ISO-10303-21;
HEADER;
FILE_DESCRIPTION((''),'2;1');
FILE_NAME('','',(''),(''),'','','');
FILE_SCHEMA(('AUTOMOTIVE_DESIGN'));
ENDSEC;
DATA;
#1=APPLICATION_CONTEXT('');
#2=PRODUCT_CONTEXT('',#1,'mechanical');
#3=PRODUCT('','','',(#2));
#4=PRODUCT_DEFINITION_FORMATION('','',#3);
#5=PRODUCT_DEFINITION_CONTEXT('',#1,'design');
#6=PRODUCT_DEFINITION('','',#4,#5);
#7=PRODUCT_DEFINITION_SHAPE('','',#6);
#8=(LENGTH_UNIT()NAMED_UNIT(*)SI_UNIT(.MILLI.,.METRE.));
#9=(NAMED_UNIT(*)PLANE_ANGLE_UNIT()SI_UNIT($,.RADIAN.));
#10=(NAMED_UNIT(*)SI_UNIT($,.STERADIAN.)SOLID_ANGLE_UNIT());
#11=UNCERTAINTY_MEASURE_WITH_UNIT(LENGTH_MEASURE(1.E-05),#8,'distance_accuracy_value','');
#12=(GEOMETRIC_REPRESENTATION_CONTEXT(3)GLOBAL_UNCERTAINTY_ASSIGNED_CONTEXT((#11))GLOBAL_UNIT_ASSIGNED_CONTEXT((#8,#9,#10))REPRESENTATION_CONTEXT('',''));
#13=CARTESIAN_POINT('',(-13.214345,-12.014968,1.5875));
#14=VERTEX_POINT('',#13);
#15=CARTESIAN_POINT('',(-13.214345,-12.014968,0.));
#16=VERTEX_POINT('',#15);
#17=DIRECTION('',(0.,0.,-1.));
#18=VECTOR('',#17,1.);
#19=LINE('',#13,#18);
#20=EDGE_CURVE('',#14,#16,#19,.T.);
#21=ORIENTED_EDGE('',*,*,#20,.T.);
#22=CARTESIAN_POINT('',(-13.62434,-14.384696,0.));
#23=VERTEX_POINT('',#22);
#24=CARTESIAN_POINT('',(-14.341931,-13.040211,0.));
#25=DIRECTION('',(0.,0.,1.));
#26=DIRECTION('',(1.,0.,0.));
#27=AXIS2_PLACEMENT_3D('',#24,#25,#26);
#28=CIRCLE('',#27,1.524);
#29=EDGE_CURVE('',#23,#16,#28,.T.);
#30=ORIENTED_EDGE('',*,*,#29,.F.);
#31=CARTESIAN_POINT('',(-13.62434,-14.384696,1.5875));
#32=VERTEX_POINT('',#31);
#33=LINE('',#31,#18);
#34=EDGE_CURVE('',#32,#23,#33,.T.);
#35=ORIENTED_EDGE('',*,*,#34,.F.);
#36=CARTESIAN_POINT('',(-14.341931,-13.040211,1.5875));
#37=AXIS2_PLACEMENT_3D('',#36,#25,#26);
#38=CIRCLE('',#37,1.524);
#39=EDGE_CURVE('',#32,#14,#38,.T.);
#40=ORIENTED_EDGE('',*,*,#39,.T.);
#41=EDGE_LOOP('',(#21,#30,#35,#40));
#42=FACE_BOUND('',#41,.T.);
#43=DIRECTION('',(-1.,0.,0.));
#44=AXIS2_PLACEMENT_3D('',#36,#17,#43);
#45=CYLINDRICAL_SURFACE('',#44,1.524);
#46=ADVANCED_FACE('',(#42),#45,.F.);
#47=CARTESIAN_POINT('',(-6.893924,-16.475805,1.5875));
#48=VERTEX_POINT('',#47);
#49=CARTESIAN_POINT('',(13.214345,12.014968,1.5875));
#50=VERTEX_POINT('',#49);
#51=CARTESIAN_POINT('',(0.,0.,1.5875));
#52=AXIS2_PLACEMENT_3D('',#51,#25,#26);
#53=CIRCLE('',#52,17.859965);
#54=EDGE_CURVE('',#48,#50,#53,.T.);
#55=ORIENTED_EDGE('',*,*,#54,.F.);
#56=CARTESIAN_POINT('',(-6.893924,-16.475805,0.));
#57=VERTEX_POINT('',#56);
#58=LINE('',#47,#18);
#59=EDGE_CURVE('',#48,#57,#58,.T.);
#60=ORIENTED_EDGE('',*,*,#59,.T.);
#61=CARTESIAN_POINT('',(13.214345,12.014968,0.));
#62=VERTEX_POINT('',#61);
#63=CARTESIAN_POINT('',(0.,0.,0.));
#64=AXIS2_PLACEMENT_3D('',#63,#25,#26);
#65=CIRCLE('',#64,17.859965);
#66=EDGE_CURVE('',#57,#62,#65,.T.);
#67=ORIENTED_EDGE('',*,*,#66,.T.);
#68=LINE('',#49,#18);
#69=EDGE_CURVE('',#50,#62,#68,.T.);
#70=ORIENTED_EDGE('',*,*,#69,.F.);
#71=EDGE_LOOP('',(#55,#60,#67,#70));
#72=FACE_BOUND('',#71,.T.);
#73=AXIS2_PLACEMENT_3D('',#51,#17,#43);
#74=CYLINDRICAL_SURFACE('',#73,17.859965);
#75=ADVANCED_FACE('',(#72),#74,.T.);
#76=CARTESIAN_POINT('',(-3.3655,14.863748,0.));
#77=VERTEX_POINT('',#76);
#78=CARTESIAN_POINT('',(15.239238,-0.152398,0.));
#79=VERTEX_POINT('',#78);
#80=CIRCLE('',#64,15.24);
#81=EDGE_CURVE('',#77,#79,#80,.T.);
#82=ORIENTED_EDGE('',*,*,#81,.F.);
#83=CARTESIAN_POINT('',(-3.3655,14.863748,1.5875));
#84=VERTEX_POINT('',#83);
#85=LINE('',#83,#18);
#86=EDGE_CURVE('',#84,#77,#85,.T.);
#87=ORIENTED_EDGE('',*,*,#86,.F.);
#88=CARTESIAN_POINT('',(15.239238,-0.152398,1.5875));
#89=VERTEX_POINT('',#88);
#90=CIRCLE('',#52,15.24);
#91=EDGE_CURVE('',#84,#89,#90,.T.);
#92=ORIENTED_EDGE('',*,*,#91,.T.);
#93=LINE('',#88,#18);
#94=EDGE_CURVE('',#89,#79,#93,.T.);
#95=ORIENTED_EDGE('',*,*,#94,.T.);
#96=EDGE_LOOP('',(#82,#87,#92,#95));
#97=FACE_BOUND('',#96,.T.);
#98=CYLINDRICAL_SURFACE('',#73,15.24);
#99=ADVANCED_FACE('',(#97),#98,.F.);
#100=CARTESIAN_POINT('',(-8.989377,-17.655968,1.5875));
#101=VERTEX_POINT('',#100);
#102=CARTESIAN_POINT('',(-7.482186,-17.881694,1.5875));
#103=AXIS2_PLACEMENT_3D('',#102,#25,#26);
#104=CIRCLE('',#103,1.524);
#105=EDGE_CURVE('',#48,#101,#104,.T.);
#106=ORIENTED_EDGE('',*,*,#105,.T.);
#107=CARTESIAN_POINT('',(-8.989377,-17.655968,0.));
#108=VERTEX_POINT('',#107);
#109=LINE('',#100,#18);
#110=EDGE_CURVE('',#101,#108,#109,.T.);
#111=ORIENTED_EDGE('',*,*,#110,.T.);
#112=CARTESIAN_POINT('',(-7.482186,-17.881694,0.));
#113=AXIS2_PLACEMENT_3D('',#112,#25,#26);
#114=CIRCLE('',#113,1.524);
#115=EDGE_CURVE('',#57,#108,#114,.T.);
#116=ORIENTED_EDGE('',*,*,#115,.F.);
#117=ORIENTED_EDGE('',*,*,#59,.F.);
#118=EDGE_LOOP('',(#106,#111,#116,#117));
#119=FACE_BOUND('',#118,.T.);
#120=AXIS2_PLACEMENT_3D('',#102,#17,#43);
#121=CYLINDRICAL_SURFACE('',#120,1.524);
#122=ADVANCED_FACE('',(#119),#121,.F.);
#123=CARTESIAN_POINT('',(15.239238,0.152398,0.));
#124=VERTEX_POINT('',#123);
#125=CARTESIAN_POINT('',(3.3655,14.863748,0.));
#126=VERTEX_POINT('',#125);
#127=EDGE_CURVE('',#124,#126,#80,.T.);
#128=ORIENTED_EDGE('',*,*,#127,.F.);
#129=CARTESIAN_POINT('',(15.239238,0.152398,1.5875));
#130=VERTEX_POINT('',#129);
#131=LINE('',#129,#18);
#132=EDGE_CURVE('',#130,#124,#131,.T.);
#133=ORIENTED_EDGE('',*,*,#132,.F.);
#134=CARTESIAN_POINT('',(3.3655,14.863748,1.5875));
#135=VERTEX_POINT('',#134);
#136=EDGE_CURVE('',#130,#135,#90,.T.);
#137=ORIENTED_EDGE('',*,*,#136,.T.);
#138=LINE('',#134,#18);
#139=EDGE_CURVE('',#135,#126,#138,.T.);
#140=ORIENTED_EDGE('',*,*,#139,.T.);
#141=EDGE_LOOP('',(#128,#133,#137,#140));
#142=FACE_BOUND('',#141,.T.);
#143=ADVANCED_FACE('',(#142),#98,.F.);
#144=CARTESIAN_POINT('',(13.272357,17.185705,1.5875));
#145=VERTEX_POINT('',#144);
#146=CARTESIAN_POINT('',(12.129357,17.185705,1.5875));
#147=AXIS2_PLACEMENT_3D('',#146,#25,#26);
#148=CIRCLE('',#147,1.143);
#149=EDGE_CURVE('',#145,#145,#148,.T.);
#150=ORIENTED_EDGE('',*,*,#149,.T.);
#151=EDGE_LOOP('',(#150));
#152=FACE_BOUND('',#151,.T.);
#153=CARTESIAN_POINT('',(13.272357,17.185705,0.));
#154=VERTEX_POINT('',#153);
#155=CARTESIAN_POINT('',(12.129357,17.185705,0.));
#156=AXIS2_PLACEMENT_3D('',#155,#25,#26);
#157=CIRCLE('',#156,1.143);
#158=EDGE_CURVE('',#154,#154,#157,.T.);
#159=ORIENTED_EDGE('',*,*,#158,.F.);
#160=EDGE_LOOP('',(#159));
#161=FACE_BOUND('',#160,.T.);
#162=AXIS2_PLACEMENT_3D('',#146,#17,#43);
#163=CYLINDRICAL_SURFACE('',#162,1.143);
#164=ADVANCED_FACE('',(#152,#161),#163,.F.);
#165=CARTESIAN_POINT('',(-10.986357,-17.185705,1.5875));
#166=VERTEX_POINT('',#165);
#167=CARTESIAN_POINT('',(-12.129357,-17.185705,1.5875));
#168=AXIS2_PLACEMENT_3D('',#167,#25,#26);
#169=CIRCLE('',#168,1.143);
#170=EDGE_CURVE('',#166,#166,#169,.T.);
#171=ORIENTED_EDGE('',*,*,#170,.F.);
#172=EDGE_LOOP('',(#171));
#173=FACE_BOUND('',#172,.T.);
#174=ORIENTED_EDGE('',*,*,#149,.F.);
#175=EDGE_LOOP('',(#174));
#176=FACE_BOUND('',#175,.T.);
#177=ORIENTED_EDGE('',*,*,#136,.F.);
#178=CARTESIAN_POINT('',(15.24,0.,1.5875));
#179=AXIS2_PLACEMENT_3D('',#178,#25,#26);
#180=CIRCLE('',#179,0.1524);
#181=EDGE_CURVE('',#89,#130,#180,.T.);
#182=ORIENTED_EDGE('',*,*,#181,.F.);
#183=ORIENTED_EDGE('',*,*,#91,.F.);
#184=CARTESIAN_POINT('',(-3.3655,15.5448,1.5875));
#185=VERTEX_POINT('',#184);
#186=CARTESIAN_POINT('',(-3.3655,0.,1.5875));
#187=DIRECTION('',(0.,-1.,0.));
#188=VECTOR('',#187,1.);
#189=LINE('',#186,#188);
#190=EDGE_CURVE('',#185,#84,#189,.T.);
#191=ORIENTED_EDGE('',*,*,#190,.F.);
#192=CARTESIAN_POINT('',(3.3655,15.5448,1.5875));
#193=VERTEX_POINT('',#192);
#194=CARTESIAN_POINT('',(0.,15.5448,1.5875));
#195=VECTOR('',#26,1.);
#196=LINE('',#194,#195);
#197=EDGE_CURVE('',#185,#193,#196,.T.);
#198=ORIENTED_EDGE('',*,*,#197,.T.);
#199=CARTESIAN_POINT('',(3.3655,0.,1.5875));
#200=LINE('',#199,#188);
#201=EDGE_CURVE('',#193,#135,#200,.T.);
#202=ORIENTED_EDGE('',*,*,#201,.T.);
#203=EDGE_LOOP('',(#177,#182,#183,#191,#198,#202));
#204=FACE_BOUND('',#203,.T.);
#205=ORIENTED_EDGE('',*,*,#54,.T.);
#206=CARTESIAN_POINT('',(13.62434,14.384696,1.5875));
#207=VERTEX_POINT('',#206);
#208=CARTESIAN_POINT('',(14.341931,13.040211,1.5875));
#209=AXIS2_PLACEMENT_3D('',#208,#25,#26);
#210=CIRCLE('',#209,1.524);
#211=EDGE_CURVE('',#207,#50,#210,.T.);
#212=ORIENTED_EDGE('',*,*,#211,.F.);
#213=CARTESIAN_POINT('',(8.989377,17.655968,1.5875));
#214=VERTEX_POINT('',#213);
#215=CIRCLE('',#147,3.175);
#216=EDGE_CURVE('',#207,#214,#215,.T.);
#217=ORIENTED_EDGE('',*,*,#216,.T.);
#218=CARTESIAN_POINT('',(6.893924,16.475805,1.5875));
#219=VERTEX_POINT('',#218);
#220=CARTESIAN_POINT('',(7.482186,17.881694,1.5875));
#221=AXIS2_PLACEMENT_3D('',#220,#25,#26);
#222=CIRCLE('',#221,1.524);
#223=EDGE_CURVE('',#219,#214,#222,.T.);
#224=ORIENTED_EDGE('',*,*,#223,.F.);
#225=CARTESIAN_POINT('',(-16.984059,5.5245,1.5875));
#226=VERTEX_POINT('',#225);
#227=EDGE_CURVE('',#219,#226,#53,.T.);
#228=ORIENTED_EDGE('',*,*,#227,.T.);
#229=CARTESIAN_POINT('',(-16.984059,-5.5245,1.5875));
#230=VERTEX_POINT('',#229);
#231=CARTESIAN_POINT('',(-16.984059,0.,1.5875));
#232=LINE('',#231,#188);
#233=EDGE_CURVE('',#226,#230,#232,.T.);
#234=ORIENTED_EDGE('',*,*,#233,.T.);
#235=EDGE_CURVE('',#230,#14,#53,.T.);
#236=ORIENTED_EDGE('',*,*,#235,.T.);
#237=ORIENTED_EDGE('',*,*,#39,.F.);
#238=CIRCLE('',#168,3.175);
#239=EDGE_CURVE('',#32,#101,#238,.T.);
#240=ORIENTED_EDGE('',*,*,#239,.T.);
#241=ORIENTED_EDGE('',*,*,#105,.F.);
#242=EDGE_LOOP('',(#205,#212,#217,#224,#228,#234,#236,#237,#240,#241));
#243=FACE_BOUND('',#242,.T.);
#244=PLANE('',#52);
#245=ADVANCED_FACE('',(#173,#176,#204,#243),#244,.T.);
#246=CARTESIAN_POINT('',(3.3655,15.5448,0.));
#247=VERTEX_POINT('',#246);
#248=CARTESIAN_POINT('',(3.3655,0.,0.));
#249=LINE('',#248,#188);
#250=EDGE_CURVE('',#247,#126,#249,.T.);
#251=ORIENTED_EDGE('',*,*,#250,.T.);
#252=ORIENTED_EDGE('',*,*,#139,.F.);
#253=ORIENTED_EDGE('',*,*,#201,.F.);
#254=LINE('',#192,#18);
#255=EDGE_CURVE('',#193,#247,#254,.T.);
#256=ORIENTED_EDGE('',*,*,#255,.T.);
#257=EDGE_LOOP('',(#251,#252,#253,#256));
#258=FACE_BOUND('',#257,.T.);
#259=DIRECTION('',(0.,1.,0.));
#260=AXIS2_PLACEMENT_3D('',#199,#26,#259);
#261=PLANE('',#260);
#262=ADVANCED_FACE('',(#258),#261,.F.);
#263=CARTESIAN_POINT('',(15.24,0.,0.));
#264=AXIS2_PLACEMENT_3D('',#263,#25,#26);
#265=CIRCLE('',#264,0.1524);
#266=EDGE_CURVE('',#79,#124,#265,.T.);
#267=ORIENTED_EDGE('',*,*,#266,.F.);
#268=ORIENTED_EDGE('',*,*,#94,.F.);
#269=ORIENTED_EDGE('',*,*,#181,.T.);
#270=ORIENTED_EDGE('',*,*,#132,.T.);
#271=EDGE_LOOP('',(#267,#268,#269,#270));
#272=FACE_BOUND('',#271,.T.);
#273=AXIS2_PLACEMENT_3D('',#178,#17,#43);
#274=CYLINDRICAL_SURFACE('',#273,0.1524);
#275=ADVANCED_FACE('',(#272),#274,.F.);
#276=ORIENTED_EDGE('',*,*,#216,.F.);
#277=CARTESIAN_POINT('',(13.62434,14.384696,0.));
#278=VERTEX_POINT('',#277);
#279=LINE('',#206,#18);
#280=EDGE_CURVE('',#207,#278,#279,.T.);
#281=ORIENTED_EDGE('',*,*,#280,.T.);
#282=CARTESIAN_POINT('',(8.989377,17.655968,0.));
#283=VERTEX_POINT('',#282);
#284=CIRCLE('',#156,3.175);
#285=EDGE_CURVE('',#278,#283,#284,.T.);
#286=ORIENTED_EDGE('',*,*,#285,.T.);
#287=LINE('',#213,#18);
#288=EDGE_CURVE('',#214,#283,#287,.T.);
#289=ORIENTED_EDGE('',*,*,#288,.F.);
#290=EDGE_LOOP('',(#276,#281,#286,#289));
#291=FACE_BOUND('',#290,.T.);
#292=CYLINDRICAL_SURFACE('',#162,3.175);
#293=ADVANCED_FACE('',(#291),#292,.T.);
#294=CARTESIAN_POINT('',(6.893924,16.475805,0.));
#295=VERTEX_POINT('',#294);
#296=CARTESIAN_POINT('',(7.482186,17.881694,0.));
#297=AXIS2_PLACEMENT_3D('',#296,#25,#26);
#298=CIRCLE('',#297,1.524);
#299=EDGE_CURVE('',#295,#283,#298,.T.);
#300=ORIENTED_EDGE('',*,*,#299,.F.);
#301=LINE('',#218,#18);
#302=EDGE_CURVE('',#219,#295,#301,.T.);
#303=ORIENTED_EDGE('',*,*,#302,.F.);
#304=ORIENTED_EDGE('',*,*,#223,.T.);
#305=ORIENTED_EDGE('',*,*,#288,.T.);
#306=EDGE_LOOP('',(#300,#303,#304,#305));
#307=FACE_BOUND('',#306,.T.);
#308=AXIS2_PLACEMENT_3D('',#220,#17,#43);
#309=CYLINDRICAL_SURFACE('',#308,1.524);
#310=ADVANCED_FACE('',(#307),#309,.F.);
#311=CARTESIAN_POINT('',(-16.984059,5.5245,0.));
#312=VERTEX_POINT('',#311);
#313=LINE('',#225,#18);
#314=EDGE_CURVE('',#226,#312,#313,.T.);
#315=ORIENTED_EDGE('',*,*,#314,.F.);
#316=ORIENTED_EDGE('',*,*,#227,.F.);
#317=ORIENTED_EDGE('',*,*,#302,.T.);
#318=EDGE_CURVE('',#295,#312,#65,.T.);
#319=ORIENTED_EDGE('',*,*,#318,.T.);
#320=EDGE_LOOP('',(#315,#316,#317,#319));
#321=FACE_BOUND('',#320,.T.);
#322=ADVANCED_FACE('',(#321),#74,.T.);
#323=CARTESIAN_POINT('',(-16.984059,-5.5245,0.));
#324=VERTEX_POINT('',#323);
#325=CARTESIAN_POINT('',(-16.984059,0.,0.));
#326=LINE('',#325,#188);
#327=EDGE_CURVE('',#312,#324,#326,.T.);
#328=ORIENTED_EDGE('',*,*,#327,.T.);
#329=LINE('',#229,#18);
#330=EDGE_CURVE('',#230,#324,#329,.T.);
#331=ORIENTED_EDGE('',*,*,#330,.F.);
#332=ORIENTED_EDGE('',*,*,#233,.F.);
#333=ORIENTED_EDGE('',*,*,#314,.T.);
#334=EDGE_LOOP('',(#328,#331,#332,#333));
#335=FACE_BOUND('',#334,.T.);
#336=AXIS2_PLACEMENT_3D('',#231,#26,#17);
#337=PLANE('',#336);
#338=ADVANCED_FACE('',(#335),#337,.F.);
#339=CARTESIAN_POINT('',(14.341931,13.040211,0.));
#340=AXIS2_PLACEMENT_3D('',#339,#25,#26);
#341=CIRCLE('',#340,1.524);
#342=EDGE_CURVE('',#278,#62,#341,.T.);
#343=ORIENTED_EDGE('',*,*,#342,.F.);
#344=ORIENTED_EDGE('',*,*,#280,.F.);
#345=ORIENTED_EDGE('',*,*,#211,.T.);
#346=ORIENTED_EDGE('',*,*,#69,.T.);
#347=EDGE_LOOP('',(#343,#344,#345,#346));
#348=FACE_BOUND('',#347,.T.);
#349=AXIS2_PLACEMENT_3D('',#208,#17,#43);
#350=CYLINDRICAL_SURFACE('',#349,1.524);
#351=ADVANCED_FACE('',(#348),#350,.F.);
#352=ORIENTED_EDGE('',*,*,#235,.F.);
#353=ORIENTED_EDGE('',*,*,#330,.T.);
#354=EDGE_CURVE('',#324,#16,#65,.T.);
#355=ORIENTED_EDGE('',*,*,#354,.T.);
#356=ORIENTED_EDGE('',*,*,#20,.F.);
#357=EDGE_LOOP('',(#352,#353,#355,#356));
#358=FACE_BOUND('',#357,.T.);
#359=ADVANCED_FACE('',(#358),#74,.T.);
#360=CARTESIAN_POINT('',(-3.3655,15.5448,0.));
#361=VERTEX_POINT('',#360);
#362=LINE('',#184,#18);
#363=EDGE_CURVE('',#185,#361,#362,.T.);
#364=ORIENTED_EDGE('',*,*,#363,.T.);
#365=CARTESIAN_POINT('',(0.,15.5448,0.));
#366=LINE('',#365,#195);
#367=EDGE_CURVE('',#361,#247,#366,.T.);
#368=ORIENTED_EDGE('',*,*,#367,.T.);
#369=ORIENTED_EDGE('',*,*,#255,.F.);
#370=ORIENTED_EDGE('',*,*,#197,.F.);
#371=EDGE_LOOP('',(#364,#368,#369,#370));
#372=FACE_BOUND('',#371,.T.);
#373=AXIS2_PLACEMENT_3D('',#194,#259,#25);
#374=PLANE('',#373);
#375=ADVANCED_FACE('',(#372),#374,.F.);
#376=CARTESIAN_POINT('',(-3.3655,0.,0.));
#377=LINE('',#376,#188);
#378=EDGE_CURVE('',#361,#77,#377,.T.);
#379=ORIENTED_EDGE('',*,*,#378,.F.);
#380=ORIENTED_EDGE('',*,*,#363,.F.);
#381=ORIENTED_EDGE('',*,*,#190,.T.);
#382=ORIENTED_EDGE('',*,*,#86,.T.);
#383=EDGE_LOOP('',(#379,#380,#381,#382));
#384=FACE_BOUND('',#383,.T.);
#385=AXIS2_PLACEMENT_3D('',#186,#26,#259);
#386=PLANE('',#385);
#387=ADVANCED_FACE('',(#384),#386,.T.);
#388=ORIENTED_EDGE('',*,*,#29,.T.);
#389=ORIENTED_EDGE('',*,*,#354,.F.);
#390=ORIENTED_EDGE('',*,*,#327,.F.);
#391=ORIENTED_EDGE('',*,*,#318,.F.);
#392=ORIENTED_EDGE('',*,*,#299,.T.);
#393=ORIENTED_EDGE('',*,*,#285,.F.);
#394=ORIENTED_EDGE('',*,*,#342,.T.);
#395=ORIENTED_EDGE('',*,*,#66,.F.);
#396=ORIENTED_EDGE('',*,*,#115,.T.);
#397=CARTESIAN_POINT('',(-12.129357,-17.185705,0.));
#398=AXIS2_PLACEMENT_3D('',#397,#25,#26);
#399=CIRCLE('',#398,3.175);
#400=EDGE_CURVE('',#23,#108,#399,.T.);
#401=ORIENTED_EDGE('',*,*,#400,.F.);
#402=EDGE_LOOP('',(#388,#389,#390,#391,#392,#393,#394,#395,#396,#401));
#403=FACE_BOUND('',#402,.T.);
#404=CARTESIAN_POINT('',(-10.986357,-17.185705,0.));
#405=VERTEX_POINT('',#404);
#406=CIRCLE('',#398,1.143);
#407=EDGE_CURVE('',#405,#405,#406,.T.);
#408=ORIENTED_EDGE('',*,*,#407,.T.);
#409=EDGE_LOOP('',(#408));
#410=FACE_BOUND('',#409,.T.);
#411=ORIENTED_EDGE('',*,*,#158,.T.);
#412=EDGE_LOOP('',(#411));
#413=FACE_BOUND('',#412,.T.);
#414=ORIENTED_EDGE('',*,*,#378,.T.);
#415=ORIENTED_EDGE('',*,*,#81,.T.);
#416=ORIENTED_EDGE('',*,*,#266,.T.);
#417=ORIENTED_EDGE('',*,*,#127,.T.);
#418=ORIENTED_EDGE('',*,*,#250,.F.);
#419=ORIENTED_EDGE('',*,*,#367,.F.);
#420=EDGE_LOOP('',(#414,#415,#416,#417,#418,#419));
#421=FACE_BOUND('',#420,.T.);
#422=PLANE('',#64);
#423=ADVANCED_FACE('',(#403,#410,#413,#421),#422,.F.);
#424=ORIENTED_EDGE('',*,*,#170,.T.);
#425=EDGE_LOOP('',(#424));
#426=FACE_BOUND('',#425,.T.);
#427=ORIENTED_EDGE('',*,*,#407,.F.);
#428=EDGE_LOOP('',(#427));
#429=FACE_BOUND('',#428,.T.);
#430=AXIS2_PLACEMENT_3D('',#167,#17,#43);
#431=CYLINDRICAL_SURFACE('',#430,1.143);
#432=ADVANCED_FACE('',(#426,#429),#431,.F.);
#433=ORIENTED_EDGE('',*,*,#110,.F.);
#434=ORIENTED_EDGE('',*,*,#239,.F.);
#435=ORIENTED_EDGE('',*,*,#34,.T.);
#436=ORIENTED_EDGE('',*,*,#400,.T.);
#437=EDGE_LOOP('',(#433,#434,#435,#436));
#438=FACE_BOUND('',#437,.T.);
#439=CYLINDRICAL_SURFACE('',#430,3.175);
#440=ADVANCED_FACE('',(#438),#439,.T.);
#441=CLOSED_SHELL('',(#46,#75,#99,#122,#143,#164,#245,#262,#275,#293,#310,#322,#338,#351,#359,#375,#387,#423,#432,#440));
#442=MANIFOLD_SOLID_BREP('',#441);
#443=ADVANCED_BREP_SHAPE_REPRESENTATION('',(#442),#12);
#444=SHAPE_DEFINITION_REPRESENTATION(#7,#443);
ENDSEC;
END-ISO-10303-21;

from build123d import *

# Parameters (mm, degrees)
SKETCH1_R           = 1.143
BOSS_EXTRUDE1_DEPTH = 1.5875


with BuildPart() as part:
    # Sketch1 → Boss-Extrude1 (new body)
    with BuildSketch(Plane.XY):
        with BuildLine():
            ThreePointArc((6.893924032, 16.475805386), (-7.445500456, 16.234003654), (-16.984058744, 5.5245))
            Line((-16.984058744, 5.5245), (-16.984058744, -5.5245))
            ThreePointArc((-16.984058744, -5.5245), (-15.444009606, -8.970001058), (-13.214344503, -12.014967792))
            ThreePointArc((-13.214344503, -12.014967792), (-12.840241174, -13.300024042), (-13.624339722, -14.384695574))
            ThreePointArc((-13.624339722, -14.384695574), (-13.960152262, -19.779700621), (-8.989376751, -17.655967979))
            ThreePointArc((-8.989376751, -17.655967979), (-8.230051983, -16.553811563), (-6.893924032, -16.475805386))
            ThreePointArc((-6.893924032, -16.475805386), (14.591708872, -10.298562224), (13.214344503, 12.014967792))
            ThreePointArc((13.214344503, 12.014967792), (12.840241174, 13.300024042), (13.624339722, 14.384695574))
            ThreePointArc((13.624339722, 14.384695574), (13.960152262, 19.779700621), (8.989376751, 17.655967979))
            ThreePointArc((8.989376751, 17.655967979), (8.230051983, 16.553811563), (6.893924032, 16.475805386))
        make_face()
        with BuildLine():
            Line((-3.3655, 14.863748173), (-3.3655, 15.5448))
            Line((-3.3655, 15.5448), (3.3655, 15.5448))
            Line((3.3655, 15.5448), (3.3655, 14.863748173))
            ThreePointArc((3.3655, 14.863748173), (11.859174688, 9.571707043), (15.239238, 0.152398095))
            ThreePointArc((15.239238, 0.152398095), (15.3924, 0), (15.239238, -0.152398095))
            ThreePointArc((15.239238, -0.152398095), (-9.571707043, -11.859174688), (-3.3655, 14.863748173))
        make_face(mode=Mode.SUBTRACT)
        with Locations((12.129357243, 17.185704746)):
            Circle(SKETCH1_R, mode=Mode.SUBTRACT)
        with Locations((-12.129357243, -17.185704746)):
            Circle(SKETCH1_R, mode=Mode.SUBTRACT)
    extrude(amount=BOSS_EXTRUDE1_DEPTH)


solid = part.part
